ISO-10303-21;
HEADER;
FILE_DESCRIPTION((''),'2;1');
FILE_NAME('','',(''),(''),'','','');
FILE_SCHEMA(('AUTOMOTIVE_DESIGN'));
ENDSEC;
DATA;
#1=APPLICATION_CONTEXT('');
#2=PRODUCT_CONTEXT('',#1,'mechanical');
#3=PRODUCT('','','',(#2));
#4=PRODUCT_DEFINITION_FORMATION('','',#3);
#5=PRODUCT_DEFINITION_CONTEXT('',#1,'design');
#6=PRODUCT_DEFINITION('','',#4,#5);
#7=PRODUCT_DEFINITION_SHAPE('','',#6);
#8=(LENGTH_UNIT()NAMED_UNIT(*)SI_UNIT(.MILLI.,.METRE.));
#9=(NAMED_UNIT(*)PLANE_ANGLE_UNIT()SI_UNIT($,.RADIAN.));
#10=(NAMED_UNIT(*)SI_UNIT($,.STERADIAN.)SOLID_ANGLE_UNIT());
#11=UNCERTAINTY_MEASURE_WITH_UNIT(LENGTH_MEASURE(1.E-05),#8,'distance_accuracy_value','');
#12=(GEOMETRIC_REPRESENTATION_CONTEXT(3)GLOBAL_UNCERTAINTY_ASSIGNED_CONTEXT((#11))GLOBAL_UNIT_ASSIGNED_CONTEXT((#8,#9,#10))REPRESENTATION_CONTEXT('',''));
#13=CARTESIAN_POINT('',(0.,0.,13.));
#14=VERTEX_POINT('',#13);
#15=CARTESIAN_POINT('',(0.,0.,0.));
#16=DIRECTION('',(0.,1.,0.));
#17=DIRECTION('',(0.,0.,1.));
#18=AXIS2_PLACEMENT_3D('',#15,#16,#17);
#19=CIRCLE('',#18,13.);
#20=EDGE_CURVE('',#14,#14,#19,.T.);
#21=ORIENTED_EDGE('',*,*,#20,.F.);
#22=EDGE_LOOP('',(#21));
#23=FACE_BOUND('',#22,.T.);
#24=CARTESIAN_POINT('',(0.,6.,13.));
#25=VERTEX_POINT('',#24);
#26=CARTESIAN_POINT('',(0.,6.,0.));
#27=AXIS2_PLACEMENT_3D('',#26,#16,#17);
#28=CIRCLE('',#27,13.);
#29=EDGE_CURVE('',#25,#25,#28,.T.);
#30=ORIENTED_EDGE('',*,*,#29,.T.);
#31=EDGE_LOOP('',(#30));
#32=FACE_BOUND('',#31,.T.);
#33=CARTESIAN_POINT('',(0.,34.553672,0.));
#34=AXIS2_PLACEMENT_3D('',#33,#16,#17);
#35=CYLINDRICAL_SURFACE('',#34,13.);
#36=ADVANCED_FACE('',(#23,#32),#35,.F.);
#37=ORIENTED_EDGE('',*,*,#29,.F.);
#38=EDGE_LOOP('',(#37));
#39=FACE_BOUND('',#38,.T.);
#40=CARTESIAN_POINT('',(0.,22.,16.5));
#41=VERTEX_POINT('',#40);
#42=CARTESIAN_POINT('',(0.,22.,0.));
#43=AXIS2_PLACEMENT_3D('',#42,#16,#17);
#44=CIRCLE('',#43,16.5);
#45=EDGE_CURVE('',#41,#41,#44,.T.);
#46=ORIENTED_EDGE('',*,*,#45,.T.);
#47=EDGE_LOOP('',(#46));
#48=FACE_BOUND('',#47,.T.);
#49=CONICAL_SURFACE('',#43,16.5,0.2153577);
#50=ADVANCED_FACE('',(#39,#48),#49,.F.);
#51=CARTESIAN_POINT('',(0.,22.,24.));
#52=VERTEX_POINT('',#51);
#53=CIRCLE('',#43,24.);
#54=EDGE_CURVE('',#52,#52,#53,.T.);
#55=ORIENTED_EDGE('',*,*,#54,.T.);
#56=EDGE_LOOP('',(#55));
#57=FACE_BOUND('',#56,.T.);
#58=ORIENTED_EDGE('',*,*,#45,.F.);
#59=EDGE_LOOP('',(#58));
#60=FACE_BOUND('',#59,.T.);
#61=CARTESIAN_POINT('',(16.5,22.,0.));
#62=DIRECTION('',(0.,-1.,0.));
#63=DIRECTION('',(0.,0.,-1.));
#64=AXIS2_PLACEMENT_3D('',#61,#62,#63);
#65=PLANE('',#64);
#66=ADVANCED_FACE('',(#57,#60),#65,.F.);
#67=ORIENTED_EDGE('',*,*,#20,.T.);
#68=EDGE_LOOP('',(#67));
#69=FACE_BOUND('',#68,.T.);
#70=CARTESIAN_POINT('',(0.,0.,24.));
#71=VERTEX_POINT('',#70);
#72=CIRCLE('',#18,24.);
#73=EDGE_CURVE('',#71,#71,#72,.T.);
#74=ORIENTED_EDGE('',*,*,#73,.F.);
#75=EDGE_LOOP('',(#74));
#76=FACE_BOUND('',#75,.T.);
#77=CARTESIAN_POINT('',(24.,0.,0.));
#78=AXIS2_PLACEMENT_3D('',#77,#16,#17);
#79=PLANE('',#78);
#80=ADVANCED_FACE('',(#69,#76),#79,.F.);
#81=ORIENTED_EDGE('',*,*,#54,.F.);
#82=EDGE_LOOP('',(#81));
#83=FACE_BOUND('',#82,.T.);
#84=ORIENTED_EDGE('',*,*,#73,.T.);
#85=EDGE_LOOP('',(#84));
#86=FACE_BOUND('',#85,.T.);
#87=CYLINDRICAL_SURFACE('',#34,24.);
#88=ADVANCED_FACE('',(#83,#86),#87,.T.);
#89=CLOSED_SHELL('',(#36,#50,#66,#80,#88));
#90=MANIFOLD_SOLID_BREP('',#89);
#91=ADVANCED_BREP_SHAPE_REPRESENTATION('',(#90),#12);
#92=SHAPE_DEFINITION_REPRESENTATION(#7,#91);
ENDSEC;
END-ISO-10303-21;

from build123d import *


with BuildPart() as part:
    # Sketch1 → Revolve1 (revolve)
    with BuildSketch(Plane.XY, mode=Mode.PRIVATE) as revolve1_sk:
        Polygon((13, 0), (13, 6), (16.5, 22), (24, 22), (24, 0), align=None)
    revolve(revolve1_sk.sketch.rotate(Axis((0, 34.553672316, 0), (0, -1, 0)), 90), axis=Axis((0, 34.553672316, 0), (0, -1, 0)))


solid = part.part
